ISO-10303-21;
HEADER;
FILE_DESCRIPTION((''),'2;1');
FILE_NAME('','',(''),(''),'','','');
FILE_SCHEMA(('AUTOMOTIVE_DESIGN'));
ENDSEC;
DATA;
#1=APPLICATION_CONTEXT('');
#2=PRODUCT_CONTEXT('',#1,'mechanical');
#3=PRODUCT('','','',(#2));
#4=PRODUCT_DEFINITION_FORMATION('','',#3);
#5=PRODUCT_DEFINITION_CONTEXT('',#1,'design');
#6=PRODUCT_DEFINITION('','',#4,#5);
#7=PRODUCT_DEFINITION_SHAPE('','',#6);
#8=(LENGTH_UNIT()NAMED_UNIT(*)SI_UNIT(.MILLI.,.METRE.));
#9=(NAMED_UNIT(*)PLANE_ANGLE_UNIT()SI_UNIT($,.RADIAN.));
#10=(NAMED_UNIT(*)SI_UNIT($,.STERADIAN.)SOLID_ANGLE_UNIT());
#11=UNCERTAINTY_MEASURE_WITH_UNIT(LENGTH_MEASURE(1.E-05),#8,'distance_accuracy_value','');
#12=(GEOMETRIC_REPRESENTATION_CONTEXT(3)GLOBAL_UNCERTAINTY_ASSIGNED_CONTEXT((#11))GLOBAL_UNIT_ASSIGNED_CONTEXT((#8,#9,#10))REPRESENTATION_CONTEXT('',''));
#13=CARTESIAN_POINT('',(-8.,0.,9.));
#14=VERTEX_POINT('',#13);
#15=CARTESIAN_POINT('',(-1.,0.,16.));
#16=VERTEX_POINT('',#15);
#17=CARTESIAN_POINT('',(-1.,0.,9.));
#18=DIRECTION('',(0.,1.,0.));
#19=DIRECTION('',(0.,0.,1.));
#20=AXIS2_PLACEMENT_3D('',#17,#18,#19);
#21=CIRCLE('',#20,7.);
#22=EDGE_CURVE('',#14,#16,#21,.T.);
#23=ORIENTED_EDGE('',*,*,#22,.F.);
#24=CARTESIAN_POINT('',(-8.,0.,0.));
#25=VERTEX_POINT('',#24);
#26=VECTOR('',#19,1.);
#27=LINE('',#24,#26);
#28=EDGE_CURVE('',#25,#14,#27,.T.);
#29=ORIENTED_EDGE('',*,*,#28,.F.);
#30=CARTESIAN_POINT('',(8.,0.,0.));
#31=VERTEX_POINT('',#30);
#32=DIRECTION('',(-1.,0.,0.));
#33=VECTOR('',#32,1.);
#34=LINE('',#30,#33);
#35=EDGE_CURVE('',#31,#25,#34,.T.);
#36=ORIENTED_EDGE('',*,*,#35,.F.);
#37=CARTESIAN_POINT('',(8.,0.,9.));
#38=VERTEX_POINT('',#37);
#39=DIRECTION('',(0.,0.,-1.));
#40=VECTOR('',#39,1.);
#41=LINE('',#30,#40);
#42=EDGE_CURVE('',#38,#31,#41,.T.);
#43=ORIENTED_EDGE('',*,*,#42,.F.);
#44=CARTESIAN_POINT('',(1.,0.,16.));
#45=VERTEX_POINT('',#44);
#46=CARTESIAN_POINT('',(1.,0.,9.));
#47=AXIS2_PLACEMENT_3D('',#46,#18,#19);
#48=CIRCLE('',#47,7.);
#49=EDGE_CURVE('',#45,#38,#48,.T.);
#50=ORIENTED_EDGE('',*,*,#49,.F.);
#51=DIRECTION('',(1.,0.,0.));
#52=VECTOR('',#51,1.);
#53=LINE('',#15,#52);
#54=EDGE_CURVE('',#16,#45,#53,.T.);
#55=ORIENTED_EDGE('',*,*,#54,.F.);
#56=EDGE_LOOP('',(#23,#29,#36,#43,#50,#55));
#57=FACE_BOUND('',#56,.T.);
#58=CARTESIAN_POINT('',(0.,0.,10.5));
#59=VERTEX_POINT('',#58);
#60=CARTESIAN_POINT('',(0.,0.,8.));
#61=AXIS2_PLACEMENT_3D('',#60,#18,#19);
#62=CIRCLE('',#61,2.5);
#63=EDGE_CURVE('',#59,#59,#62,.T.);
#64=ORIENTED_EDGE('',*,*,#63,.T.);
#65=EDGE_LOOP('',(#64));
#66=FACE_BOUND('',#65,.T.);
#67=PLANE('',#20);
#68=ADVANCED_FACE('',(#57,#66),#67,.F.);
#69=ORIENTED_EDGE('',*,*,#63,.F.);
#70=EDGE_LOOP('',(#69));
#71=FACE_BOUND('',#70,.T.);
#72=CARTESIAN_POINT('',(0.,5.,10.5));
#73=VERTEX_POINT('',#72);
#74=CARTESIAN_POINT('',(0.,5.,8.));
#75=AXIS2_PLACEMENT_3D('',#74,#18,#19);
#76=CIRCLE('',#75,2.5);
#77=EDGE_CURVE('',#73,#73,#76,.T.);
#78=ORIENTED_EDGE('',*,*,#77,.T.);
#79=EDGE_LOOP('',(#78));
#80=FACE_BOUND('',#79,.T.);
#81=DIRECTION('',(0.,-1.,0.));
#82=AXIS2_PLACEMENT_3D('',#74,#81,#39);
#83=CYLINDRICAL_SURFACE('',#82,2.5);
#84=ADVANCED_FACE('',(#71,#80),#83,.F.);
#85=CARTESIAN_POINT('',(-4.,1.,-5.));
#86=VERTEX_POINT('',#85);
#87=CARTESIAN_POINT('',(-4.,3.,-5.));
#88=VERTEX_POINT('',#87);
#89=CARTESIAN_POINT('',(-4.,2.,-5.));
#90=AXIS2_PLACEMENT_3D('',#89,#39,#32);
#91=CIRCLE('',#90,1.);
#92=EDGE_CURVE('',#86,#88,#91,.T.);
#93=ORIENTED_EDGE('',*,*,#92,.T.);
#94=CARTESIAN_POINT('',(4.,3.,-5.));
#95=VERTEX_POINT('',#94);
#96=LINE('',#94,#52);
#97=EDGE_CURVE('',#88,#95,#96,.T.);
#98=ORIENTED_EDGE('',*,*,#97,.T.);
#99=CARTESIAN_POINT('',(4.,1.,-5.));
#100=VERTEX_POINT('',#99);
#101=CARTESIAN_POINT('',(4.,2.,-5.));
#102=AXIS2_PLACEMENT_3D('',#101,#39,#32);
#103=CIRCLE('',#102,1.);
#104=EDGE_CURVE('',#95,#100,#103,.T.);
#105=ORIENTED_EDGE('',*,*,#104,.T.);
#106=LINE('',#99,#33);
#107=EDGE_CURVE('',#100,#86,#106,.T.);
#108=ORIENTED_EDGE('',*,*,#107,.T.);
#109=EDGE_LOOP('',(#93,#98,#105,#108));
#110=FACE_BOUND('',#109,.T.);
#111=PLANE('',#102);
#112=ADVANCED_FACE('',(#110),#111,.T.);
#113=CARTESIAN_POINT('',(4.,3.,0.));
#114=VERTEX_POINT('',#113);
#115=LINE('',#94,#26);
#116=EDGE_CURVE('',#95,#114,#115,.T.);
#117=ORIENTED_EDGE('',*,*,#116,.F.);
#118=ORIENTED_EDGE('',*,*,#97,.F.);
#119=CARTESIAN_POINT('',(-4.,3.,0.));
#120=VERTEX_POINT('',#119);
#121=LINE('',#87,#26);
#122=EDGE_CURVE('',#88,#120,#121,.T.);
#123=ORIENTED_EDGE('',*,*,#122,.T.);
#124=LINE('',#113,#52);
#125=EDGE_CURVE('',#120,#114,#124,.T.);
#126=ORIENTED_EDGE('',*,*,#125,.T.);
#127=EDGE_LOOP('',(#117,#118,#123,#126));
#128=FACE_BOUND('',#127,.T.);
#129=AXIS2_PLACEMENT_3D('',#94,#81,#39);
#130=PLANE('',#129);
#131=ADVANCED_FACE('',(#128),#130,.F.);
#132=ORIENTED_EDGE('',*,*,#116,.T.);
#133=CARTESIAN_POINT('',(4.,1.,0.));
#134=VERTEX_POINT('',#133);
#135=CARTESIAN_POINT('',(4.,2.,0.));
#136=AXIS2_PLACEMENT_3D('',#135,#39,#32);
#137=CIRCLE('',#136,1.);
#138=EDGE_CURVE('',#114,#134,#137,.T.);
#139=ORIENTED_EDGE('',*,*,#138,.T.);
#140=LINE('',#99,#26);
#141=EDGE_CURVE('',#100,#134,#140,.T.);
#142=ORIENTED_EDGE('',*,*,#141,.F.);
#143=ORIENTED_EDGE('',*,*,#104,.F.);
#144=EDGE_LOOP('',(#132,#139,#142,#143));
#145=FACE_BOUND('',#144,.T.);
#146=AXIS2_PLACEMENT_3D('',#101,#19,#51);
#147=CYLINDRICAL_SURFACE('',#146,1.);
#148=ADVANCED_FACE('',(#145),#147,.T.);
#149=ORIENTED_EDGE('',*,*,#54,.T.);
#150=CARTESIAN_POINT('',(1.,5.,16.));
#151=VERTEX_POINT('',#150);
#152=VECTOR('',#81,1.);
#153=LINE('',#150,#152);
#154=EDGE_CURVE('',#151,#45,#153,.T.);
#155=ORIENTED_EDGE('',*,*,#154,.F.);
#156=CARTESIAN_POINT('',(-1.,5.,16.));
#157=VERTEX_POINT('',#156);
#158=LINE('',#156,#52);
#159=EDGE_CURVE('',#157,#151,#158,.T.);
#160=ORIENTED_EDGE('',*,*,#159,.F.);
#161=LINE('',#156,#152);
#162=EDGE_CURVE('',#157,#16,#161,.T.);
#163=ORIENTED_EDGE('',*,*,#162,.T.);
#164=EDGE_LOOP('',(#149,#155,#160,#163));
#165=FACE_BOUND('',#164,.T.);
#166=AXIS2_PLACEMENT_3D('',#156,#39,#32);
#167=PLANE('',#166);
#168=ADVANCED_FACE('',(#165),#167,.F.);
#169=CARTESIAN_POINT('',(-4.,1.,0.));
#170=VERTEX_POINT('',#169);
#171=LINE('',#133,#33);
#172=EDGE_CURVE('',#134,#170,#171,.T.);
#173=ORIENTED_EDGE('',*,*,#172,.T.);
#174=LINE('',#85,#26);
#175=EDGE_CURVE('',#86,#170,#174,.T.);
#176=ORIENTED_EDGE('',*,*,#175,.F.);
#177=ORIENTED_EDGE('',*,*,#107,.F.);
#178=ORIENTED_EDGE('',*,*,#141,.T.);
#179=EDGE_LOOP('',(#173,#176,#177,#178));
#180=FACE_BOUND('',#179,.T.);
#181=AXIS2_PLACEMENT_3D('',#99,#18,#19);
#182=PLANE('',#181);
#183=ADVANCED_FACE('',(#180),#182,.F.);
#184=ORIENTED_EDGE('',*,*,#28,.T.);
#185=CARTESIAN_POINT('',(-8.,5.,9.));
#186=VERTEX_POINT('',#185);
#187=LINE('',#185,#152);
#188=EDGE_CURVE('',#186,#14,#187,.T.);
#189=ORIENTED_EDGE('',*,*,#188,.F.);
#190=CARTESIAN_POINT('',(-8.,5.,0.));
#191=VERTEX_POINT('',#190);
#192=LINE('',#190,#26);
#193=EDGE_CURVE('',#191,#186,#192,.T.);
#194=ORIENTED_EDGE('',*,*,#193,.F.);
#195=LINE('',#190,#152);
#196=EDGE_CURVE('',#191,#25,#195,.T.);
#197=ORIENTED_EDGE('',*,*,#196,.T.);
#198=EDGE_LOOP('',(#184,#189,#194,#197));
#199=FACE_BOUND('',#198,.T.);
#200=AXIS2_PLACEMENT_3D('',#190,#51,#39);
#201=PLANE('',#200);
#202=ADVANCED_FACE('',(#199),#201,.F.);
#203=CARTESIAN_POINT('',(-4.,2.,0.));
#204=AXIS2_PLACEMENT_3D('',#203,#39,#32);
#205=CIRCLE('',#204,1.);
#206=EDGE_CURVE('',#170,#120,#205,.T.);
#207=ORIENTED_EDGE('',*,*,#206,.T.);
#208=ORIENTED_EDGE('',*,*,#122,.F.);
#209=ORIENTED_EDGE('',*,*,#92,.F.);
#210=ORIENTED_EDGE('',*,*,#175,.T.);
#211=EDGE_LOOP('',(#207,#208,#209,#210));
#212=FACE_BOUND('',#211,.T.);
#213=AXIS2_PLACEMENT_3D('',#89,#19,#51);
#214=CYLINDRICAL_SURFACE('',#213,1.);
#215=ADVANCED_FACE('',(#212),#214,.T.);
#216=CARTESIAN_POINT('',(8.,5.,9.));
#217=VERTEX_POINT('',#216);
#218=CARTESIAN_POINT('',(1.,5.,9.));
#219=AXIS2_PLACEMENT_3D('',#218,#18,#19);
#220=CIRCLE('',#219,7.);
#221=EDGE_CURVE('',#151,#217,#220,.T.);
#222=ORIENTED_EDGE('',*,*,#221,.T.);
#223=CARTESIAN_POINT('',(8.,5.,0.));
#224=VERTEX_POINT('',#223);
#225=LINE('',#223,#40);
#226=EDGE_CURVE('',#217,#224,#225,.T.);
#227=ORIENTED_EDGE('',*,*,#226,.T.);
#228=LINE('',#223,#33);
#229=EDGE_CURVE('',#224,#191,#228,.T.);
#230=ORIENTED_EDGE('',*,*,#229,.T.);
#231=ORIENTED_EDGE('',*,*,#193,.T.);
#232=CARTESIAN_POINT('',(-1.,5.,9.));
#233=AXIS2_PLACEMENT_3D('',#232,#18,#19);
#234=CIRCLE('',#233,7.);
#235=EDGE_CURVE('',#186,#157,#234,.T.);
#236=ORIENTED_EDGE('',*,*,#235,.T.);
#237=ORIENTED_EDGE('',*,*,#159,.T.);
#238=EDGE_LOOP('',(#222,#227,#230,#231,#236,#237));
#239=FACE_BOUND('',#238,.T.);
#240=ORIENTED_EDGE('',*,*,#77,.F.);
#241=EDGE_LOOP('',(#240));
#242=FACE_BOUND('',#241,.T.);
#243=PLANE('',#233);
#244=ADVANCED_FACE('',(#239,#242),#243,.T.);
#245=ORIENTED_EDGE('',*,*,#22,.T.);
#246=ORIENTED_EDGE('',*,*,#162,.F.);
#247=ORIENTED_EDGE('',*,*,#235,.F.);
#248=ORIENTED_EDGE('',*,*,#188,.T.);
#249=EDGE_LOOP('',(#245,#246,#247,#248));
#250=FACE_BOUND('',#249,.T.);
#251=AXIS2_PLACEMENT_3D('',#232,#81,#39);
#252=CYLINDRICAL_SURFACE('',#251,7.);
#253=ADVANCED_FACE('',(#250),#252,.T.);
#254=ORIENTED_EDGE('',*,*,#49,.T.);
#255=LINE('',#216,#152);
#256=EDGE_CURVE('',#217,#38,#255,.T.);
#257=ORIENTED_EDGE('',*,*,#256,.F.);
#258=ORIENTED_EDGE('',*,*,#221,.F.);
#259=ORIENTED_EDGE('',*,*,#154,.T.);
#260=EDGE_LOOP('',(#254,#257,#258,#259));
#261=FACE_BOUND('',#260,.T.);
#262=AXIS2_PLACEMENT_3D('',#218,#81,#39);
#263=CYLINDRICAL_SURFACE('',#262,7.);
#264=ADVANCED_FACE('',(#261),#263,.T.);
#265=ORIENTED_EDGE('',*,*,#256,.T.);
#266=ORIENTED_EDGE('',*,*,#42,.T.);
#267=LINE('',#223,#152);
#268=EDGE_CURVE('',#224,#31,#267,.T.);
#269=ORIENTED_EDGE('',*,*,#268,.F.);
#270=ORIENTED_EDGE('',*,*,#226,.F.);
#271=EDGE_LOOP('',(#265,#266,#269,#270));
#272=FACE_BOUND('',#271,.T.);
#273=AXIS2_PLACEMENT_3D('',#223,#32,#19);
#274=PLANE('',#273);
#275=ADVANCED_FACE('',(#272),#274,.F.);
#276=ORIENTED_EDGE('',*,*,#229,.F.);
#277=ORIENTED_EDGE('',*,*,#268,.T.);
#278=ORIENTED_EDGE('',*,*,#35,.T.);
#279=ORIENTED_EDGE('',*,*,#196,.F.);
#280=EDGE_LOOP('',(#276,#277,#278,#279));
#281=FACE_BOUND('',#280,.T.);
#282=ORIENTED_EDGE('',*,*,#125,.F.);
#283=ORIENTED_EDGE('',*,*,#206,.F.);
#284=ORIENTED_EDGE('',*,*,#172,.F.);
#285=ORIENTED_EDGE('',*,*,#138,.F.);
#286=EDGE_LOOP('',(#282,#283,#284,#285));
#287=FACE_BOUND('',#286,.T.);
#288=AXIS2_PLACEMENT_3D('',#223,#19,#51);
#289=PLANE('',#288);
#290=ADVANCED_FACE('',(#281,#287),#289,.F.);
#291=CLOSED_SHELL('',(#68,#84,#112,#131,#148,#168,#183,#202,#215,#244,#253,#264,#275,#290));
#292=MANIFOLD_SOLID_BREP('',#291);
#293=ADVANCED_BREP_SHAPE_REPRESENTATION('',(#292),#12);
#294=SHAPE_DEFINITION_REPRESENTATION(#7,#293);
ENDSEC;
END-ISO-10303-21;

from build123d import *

# Parameters (mm, degrees)
SKETCH1_R           = 2.5
BOSS_EXTRUDE1_DEPTH = 5
BOSS_EXTRUDE2_DEPTH = 5


with BuildPart() as part:
    # Sketch1 → Boss-Extrude1 (new body)
    with BuildSketch(Plane(origin=(0, 0, 0), x_dir=(1, 0, 0), z_dir=(0, 1, 0))):
        with BuildLine():
            Line((-8, 0), (-8, -9))
            ThreePointArc((-8, -9), (-5.949747468, -13.949747468), (-1, -16))
            Line((-1, -16), (1, -16))
            ThreePointArc((1, -16), (5.949747468, -13.949747468), (8, -9))
            Line((8, -9), (8, 0))
            Line((8, 0), (-8, 0))
        make_face()
        with Locations(Location((0, -8, 0), (0, 0, 270))):
            Circle(SKETCH1_R, mode=Mode.SUBTRACT)
    extrude(amount=BOSS_EXTRUDE1_DEPTH)

    # Sketch2 → Boss-Extrude2 (add)
    with BuildSketch(Plane(origin=(0, 0, 0), x_dir=(-1, 0, 0), z_dir=(0, 0, -1))):
        with BuildLine():
            Line((-4, 3), (4, 3))
            ThreePointArc((4, 3), (5, 2), (4, 1))
            Line((4, 1), (-4, 1))
            ThreePointArc((-4, 1), (-5, 2), (-4, 3))
        make_face()
    extrude(amount=BOSS_EXTRUDE2_DEPTH)


solid = part.part
